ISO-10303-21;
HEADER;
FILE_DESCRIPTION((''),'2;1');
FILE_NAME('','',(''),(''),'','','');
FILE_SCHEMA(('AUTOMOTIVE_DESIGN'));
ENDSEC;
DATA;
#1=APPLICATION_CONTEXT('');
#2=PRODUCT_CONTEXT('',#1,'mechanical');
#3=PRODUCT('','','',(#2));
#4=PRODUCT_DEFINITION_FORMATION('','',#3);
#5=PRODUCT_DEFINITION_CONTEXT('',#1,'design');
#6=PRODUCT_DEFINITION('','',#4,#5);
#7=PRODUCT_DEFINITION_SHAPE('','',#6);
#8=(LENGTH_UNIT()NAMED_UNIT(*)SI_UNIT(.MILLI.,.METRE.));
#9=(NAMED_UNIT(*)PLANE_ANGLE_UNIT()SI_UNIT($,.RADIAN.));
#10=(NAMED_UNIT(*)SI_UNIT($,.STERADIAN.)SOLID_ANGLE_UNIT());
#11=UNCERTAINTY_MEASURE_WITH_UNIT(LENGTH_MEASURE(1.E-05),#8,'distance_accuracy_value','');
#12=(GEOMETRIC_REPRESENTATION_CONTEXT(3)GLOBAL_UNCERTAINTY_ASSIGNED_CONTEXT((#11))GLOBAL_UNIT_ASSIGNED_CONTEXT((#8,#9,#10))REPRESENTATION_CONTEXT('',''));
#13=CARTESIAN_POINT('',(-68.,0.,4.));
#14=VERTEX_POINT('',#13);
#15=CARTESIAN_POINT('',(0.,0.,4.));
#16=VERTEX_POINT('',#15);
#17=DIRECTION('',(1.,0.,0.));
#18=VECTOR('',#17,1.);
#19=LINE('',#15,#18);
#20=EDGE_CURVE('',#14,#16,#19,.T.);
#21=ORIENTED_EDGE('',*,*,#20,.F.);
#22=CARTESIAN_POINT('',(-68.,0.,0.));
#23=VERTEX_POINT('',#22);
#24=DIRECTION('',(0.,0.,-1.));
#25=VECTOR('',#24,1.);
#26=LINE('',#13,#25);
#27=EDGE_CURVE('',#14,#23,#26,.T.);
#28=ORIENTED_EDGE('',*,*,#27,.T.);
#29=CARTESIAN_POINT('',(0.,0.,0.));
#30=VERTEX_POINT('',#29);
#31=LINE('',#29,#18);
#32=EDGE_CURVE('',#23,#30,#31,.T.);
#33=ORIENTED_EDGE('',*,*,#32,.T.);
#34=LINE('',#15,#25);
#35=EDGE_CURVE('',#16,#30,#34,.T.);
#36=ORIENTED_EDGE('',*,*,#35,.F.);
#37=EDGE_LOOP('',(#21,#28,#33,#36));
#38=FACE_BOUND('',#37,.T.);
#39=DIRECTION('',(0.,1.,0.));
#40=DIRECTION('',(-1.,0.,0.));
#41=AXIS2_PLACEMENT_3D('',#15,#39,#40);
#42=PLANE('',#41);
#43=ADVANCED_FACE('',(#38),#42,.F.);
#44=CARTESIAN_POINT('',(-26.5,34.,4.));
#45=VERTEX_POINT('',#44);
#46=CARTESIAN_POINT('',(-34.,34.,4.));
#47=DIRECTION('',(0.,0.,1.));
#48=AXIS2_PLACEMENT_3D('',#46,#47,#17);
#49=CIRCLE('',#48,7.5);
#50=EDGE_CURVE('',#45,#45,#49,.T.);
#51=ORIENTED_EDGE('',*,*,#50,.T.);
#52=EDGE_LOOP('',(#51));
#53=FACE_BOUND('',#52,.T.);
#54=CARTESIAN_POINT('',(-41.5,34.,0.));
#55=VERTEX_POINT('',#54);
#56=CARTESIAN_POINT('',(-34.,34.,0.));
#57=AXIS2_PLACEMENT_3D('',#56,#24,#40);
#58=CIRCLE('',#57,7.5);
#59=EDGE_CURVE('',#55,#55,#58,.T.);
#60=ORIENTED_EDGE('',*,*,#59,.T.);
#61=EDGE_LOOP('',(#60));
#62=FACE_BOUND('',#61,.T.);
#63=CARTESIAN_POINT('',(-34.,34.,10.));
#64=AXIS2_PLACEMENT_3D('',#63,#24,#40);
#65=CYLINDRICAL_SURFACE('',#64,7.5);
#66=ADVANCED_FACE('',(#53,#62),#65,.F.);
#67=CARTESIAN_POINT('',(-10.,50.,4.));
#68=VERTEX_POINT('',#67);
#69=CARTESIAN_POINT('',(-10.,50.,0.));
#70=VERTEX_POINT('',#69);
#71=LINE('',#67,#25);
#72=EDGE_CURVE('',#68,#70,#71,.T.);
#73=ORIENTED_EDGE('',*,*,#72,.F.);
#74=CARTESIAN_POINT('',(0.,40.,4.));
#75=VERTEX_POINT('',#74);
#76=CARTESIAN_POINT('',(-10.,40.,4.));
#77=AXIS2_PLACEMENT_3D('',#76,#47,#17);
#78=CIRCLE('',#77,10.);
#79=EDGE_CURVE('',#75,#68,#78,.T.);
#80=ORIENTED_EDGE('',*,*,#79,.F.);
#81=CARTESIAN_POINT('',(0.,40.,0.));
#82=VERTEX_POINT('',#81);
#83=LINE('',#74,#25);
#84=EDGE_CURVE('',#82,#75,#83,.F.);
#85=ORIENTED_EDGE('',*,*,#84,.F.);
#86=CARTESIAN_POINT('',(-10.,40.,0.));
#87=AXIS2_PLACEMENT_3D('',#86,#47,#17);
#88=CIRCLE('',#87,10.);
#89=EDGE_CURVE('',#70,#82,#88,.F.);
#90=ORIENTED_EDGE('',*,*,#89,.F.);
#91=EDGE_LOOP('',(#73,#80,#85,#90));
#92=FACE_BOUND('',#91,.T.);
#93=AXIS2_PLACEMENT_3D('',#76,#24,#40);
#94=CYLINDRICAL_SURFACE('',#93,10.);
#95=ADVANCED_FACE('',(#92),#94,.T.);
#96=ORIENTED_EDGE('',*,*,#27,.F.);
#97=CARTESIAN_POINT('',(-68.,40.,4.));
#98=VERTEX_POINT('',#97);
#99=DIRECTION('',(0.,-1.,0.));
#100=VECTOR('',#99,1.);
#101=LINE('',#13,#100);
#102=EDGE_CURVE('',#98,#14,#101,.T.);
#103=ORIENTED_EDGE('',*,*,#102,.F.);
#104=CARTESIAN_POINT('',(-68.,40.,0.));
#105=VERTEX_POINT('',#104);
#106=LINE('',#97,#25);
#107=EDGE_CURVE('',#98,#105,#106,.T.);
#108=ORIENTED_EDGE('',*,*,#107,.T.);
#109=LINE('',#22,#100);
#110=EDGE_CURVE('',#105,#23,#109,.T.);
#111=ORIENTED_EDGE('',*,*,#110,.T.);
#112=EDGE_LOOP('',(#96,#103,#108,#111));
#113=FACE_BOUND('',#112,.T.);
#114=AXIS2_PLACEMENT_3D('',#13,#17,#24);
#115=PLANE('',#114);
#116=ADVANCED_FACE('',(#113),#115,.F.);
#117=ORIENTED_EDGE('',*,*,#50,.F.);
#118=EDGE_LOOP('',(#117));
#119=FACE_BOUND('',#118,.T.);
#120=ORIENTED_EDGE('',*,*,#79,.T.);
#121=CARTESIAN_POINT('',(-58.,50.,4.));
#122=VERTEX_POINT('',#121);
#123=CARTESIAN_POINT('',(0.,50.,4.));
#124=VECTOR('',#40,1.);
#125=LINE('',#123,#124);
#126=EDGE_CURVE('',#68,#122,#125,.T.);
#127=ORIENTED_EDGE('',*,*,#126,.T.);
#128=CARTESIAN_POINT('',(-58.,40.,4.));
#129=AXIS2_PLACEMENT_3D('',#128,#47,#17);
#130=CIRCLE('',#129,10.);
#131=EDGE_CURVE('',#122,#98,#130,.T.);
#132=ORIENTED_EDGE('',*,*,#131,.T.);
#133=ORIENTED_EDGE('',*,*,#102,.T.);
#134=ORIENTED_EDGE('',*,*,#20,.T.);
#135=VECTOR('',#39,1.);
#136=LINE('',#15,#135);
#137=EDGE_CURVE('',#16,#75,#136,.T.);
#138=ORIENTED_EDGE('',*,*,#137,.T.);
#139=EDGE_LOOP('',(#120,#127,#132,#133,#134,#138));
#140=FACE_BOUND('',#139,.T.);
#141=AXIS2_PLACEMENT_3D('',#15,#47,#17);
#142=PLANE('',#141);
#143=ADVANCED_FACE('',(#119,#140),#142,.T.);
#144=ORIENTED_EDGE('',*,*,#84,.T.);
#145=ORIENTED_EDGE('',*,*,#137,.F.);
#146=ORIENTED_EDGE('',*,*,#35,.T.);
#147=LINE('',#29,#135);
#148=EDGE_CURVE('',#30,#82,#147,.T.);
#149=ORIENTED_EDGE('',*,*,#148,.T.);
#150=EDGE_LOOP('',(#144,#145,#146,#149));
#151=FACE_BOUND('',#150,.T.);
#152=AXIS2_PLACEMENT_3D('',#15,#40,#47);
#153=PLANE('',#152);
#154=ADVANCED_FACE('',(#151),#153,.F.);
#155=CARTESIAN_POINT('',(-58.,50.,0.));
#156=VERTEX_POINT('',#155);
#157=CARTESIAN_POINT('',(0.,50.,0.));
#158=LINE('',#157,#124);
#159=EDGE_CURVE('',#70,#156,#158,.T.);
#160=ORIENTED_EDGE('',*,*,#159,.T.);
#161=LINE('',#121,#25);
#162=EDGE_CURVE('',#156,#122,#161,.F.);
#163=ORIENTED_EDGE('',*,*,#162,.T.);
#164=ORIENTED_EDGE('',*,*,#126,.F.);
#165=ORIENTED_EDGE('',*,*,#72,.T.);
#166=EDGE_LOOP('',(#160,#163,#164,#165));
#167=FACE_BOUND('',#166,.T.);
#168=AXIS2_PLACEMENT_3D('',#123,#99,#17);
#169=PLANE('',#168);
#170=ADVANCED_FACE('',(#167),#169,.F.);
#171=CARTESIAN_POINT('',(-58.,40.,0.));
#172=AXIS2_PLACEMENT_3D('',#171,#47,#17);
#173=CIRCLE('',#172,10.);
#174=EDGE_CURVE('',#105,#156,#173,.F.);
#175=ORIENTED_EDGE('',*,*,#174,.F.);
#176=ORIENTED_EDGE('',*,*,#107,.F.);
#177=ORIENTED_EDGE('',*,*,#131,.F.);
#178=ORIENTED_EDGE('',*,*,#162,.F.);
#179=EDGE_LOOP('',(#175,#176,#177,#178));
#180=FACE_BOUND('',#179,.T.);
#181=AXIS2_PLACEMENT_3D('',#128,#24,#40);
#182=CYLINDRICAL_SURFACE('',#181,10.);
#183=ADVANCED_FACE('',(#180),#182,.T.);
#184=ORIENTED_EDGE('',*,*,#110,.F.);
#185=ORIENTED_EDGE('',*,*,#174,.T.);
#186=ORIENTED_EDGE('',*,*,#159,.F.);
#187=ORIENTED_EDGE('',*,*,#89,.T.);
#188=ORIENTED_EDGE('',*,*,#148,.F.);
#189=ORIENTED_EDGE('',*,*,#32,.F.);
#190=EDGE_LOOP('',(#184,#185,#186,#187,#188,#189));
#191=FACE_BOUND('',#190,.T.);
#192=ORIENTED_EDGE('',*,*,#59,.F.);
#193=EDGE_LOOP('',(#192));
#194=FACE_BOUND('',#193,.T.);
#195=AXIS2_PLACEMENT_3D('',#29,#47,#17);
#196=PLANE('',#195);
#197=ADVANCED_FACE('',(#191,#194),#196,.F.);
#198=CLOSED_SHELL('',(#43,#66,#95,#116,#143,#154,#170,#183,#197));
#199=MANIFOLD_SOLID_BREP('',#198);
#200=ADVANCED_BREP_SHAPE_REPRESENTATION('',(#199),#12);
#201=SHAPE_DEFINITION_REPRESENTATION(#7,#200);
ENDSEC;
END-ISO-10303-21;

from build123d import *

# Parameters (mm, degrees)
SKETCH1_W           = 68
SKETCH1_H           = 50
BOSS_EXTRUDE1_DEPTH = 4
SKETCH4_R           = 7.5
CUT_EXTRUDE1_DEPTH  = 10
FILLET1_R           = 10


with BuildPart() as part:
    # Sketch1 → Boss-Extrude1 (new body)
    with BuildSketch(Plane.XY):
        with Locations((-34, 25)):
            Rectangle(SKETCH1_W, SKETCH1_H)
    extrude(amount=BOSS_EXTRUDE1_DEPTH)

    # Sketch4 → Cut-Extrude1 (cut)
    with BuildSketch(Plane(origin=(0, 0, 0), x_dir=(-1, 0, 0), z_dir=(0, 0, -1))):
        with Locations((34, 34)):
            Circle(SKETCH4_R)
    extrude(amount=-CUT_EXTRUDE1_DEPTH, mode=Mode.SUBTRACT)

    # Fillet1
    fillet1_edges = [part.edges().sort_by_distance(p)[0] for p in [
        (-68, 50, 2),
        (0, 50, 2),
    ]]
    fillet(fillet1_edges, radius=FILLET1_R)


solid = part.part
